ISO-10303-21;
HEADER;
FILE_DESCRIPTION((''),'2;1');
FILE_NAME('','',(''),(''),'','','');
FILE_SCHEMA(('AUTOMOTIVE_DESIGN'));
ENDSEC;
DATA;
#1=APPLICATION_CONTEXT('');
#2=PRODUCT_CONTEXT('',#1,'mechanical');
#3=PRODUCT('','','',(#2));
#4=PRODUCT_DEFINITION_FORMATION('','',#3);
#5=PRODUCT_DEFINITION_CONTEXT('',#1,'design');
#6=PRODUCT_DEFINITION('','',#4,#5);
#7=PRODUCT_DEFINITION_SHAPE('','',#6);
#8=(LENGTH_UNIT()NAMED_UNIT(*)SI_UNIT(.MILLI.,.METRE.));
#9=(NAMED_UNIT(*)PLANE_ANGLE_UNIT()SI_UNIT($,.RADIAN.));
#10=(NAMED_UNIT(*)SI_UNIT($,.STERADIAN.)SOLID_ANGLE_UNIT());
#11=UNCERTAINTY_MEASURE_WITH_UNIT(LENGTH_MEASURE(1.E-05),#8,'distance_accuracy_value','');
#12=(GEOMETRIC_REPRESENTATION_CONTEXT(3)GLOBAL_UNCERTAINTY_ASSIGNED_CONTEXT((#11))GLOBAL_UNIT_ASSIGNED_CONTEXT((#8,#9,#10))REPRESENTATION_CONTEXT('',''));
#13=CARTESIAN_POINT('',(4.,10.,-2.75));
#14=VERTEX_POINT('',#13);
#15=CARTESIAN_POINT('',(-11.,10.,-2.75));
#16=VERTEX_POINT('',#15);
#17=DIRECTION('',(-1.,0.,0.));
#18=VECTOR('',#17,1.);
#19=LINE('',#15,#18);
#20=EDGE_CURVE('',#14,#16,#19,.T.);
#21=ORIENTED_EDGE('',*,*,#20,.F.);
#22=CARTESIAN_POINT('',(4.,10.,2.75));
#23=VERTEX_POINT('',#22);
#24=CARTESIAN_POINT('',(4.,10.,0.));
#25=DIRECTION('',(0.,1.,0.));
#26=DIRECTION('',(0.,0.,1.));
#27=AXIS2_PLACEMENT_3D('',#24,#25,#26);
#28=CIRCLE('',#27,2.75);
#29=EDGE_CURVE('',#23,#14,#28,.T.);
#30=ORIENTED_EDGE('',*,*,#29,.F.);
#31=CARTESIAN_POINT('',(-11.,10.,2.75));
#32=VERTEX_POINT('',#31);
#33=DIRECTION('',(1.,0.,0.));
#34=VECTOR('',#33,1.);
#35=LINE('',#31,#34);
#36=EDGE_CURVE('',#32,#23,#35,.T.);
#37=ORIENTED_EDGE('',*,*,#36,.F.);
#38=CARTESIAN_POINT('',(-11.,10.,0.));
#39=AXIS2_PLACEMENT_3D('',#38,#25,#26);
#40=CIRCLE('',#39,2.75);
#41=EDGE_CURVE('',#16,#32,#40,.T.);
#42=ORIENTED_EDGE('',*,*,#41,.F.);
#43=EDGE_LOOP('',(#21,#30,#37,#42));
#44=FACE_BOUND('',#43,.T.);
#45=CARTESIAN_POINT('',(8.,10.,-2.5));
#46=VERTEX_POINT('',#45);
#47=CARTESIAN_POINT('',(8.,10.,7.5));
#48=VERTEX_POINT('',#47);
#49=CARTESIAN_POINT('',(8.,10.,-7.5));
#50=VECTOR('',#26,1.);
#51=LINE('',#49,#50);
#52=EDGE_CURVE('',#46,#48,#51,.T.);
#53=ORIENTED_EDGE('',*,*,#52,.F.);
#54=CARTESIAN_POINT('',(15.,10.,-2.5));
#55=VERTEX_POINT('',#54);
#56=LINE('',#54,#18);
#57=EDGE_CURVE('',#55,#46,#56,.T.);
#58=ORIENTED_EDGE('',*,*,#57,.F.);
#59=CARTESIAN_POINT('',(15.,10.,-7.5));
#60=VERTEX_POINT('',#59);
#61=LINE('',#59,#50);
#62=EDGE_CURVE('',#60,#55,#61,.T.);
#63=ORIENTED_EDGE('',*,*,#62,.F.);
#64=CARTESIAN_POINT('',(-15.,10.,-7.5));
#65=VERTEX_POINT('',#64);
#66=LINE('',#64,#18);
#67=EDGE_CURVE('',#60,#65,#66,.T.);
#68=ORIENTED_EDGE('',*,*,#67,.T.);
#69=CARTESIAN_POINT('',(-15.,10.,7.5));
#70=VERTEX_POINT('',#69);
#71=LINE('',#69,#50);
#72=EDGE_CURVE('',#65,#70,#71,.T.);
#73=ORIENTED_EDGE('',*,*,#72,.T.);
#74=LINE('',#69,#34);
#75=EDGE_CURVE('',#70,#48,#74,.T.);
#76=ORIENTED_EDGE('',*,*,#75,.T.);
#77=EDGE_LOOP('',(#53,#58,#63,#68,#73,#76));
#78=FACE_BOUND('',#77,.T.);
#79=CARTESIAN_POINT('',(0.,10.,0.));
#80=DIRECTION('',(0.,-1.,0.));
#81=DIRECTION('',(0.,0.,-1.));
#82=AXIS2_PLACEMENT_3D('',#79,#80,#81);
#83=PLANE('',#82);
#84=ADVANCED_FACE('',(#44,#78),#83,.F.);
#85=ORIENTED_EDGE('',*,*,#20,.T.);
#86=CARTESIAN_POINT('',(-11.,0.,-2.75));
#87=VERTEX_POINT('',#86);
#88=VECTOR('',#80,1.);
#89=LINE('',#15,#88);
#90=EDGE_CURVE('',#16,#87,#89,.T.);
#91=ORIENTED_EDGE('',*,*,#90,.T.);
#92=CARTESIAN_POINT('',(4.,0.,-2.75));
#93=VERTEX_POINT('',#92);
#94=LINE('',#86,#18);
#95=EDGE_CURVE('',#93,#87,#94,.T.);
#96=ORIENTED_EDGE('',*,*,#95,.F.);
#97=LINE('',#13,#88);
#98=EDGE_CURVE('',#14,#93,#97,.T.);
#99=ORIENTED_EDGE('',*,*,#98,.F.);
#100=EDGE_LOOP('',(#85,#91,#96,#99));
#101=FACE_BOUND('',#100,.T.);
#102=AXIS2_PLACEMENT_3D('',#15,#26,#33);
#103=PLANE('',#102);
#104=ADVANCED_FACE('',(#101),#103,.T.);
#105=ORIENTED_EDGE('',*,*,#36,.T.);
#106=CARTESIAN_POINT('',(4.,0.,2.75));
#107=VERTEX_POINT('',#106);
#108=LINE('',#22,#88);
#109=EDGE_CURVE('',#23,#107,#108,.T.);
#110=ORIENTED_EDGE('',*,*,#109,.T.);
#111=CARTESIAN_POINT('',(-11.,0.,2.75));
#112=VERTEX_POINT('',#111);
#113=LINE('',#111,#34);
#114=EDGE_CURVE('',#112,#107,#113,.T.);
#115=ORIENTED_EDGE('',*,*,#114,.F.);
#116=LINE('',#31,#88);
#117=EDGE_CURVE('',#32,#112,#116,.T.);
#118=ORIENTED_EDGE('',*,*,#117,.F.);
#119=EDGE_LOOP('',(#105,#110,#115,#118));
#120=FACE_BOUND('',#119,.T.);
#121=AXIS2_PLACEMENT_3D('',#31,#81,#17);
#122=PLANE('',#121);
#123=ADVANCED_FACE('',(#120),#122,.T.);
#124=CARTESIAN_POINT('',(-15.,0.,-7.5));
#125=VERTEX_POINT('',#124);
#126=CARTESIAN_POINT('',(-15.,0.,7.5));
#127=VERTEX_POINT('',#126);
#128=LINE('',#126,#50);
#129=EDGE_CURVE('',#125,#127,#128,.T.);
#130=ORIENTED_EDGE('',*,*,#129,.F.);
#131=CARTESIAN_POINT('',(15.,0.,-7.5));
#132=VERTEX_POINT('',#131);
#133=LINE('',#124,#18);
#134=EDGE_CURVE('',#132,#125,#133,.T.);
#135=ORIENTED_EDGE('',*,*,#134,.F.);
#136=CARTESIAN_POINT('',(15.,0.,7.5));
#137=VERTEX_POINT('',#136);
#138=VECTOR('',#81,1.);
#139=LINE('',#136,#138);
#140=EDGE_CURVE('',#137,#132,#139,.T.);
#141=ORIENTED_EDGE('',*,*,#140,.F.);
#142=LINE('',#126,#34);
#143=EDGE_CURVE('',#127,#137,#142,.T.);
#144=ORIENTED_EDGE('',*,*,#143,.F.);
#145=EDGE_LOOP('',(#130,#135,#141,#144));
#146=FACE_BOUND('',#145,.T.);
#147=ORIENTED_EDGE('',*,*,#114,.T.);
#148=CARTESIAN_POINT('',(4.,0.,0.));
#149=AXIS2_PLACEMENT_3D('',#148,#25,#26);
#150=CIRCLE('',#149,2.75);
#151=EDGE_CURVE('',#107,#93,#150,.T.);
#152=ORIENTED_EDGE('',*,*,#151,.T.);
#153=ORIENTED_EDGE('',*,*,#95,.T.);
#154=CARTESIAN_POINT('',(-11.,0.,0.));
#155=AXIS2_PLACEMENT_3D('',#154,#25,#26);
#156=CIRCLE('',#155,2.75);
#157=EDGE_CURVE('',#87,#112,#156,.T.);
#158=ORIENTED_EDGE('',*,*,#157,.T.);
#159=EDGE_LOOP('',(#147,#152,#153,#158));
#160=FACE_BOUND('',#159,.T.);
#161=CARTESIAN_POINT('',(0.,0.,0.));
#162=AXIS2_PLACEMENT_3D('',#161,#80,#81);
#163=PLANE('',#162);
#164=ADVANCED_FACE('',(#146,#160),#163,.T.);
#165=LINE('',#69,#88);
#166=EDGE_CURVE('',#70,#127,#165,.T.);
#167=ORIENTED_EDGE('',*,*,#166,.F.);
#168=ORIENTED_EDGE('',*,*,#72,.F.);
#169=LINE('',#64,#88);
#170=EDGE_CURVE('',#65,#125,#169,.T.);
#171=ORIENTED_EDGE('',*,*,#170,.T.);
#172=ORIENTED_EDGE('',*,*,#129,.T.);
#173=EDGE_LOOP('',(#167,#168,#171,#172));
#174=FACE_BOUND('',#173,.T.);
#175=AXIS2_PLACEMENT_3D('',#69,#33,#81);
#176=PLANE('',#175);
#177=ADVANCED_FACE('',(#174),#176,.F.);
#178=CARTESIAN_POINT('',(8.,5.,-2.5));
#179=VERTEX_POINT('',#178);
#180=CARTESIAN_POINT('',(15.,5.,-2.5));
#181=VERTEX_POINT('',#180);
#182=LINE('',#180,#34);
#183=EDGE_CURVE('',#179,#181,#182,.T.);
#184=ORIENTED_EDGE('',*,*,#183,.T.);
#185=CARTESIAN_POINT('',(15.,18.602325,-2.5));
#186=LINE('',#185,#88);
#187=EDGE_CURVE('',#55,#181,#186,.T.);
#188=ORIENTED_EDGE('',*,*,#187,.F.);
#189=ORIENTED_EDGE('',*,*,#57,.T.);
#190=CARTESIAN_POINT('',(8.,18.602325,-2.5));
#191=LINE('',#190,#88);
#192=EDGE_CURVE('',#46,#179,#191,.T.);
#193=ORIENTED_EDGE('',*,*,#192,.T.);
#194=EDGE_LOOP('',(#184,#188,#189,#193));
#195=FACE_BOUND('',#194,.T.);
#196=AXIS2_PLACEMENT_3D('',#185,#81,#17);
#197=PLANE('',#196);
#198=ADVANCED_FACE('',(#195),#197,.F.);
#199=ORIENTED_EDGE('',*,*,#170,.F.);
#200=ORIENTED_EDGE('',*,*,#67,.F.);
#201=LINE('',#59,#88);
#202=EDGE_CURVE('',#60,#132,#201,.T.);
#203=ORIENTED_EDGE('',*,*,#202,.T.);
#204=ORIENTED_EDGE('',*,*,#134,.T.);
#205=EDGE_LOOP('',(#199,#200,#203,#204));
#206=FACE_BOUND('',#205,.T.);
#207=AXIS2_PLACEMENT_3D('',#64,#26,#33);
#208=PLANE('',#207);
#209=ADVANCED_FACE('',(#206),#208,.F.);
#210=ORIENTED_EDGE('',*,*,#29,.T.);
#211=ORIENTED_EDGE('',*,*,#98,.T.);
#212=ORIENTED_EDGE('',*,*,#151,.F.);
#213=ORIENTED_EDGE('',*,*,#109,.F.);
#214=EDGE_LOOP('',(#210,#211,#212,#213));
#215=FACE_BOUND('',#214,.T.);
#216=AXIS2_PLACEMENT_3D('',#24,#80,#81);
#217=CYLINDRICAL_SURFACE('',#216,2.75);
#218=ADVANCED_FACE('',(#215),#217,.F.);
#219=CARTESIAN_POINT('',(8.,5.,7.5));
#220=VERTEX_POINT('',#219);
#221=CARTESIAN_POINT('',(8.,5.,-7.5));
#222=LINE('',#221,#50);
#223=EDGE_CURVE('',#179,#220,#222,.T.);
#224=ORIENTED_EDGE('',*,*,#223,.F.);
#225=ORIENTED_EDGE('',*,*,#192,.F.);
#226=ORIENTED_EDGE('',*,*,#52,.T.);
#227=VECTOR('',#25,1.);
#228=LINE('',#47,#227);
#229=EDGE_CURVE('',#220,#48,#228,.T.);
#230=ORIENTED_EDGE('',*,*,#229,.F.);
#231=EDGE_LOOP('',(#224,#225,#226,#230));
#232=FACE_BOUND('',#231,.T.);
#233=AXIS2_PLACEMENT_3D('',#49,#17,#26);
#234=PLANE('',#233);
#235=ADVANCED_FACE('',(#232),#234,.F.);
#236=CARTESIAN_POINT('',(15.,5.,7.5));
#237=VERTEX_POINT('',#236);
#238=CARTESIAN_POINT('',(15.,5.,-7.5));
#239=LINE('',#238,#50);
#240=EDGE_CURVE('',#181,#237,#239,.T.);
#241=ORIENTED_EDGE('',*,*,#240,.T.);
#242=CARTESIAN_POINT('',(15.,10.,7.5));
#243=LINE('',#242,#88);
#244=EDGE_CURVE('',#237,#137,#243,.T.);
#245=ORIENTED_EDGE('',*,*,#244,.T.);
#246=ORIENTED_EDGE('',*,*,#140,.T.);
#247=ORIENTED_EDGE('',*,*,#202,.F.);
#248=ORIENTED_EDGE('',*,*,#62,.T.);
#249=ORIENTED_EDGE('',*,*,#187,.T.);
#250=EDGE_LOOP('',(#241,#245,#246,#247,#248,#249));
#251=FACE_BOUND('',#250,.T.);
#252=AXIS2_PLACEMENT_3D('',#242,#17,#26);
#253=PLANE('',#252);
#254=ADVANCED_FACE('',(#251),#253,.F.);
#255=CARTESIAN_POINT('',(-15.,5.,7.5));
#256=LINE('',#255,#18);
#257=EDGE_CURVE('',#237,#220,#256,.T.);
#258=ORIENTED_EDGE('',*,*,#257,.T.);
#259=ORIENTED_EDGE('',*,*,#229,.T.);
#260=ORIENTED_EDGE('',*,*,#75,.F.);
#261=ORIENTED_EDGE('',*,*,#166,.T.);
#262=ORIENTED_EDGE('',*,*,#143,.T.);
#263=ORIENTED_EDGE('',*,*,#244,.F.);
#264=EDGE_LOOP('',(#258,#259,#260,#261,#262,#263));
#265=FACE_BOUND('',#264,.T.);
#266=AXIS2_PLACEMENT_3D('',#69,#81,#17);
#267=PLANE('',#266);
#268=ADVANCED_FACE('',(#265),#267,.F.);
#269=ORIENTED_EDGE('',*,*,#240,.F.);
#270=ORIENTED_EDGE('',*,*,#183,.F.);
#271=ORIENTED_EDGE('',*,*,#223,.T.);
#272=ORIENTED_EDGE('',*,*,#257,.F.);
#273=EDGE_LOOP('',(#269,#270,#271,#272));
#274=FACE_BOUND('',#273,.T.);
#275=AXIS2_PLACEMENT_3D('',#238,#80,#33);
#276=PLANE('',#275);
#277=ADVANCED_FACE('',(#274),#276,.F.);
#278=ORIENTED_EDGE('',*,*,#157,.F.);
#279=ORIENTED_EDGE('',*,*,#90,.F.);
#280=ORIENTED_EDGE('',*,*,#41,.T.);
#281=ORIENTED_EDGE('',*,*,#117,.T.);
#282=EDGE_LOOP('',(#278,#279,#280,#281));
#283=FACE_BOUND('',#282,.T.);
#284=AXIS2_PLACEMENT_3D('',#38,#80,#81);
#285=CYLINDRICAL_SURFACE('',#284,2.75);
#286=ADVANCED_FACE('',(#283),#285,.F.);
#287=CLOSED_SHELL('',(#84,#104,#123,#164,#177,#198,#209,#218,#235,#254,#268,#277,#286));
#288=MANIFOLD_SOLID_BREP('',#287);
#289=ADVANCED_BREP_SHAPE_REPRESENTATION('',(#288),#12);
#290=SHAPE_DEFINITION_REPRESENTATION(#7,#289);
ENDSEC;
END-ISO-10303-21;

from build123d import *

# Parameters (mm, degrees)
SKETCH1_W               = 30
SKETCH1_H               = 15
BOSS_EXTRUDE1_DEPTH     = 10
CUT_EXTRUDE1_DEPTH      = 24.452078799
CUT_EXTRUDE1_DEPTH_BACK = 24.452078799
SKETCH2_W               = 7
SKETCH2_H               = 5
SKETCH3_W               = 7
SKETCH3_H               = 5
BOSS_EXTRUDE2_DEPTH     = 5


with BuildPart() as part:
    # Sketch1 → Boss-Extrude1 (new body)
    with BuildSketch(Plane(origin=(0, 0, 0), x_dir=(1, 0, 0), z_dir=(0, 1, 0))):
        Rectangle(SKETCH1_W, SKETCH1_H)
        with BuildLine():
            Line((-11, 2.75), (4, 2.75))
            ThreePointArc((4, 2.75), (6.75, 0), (4, -2.75))
            Line((4, -2.75), (-11, -2.75))
            ThreePointArc((-11, -2.75), (-13.75, 0), (-11, 2.75))
        make_face(mode=Mode.SUBTRACT)
    extrude(amount=BOSS_EXTRUDE1_DEPTH)

    # Sketch2 → Cut-Extrude1 (cut, two sides: drawn at the far end of the back side and taken through both)
    with BuildSketch(Plane.XY.offset(7.5).offset(-CUT_EXTRUDE1_DEPTH_BACK)):
        with Locations((11.5, 7.5)):
            Rectangle(SKETCH2_W, SKETCH2_H)
    extrude(amount=CUT_EXTRUDE1_DEPTH + CUT_EXTRUDE1_DEPTH_BACK, mode=Mode.SUBTRACT)

    # Sketch3 → Boss-Extrude2 (add)
    with BuildSketch(Plane(origin=(0, 5, 0), x_dir=(1, 0, 0), z_dir=(0, 1, 0))):
        with Locations((11.5, 5)):
            Rectangle(SKETCH3_W, SKETCH3_H)
    extrude(amount=BOSS_EXTRUDE2_DEPTH)


solid = part.part
